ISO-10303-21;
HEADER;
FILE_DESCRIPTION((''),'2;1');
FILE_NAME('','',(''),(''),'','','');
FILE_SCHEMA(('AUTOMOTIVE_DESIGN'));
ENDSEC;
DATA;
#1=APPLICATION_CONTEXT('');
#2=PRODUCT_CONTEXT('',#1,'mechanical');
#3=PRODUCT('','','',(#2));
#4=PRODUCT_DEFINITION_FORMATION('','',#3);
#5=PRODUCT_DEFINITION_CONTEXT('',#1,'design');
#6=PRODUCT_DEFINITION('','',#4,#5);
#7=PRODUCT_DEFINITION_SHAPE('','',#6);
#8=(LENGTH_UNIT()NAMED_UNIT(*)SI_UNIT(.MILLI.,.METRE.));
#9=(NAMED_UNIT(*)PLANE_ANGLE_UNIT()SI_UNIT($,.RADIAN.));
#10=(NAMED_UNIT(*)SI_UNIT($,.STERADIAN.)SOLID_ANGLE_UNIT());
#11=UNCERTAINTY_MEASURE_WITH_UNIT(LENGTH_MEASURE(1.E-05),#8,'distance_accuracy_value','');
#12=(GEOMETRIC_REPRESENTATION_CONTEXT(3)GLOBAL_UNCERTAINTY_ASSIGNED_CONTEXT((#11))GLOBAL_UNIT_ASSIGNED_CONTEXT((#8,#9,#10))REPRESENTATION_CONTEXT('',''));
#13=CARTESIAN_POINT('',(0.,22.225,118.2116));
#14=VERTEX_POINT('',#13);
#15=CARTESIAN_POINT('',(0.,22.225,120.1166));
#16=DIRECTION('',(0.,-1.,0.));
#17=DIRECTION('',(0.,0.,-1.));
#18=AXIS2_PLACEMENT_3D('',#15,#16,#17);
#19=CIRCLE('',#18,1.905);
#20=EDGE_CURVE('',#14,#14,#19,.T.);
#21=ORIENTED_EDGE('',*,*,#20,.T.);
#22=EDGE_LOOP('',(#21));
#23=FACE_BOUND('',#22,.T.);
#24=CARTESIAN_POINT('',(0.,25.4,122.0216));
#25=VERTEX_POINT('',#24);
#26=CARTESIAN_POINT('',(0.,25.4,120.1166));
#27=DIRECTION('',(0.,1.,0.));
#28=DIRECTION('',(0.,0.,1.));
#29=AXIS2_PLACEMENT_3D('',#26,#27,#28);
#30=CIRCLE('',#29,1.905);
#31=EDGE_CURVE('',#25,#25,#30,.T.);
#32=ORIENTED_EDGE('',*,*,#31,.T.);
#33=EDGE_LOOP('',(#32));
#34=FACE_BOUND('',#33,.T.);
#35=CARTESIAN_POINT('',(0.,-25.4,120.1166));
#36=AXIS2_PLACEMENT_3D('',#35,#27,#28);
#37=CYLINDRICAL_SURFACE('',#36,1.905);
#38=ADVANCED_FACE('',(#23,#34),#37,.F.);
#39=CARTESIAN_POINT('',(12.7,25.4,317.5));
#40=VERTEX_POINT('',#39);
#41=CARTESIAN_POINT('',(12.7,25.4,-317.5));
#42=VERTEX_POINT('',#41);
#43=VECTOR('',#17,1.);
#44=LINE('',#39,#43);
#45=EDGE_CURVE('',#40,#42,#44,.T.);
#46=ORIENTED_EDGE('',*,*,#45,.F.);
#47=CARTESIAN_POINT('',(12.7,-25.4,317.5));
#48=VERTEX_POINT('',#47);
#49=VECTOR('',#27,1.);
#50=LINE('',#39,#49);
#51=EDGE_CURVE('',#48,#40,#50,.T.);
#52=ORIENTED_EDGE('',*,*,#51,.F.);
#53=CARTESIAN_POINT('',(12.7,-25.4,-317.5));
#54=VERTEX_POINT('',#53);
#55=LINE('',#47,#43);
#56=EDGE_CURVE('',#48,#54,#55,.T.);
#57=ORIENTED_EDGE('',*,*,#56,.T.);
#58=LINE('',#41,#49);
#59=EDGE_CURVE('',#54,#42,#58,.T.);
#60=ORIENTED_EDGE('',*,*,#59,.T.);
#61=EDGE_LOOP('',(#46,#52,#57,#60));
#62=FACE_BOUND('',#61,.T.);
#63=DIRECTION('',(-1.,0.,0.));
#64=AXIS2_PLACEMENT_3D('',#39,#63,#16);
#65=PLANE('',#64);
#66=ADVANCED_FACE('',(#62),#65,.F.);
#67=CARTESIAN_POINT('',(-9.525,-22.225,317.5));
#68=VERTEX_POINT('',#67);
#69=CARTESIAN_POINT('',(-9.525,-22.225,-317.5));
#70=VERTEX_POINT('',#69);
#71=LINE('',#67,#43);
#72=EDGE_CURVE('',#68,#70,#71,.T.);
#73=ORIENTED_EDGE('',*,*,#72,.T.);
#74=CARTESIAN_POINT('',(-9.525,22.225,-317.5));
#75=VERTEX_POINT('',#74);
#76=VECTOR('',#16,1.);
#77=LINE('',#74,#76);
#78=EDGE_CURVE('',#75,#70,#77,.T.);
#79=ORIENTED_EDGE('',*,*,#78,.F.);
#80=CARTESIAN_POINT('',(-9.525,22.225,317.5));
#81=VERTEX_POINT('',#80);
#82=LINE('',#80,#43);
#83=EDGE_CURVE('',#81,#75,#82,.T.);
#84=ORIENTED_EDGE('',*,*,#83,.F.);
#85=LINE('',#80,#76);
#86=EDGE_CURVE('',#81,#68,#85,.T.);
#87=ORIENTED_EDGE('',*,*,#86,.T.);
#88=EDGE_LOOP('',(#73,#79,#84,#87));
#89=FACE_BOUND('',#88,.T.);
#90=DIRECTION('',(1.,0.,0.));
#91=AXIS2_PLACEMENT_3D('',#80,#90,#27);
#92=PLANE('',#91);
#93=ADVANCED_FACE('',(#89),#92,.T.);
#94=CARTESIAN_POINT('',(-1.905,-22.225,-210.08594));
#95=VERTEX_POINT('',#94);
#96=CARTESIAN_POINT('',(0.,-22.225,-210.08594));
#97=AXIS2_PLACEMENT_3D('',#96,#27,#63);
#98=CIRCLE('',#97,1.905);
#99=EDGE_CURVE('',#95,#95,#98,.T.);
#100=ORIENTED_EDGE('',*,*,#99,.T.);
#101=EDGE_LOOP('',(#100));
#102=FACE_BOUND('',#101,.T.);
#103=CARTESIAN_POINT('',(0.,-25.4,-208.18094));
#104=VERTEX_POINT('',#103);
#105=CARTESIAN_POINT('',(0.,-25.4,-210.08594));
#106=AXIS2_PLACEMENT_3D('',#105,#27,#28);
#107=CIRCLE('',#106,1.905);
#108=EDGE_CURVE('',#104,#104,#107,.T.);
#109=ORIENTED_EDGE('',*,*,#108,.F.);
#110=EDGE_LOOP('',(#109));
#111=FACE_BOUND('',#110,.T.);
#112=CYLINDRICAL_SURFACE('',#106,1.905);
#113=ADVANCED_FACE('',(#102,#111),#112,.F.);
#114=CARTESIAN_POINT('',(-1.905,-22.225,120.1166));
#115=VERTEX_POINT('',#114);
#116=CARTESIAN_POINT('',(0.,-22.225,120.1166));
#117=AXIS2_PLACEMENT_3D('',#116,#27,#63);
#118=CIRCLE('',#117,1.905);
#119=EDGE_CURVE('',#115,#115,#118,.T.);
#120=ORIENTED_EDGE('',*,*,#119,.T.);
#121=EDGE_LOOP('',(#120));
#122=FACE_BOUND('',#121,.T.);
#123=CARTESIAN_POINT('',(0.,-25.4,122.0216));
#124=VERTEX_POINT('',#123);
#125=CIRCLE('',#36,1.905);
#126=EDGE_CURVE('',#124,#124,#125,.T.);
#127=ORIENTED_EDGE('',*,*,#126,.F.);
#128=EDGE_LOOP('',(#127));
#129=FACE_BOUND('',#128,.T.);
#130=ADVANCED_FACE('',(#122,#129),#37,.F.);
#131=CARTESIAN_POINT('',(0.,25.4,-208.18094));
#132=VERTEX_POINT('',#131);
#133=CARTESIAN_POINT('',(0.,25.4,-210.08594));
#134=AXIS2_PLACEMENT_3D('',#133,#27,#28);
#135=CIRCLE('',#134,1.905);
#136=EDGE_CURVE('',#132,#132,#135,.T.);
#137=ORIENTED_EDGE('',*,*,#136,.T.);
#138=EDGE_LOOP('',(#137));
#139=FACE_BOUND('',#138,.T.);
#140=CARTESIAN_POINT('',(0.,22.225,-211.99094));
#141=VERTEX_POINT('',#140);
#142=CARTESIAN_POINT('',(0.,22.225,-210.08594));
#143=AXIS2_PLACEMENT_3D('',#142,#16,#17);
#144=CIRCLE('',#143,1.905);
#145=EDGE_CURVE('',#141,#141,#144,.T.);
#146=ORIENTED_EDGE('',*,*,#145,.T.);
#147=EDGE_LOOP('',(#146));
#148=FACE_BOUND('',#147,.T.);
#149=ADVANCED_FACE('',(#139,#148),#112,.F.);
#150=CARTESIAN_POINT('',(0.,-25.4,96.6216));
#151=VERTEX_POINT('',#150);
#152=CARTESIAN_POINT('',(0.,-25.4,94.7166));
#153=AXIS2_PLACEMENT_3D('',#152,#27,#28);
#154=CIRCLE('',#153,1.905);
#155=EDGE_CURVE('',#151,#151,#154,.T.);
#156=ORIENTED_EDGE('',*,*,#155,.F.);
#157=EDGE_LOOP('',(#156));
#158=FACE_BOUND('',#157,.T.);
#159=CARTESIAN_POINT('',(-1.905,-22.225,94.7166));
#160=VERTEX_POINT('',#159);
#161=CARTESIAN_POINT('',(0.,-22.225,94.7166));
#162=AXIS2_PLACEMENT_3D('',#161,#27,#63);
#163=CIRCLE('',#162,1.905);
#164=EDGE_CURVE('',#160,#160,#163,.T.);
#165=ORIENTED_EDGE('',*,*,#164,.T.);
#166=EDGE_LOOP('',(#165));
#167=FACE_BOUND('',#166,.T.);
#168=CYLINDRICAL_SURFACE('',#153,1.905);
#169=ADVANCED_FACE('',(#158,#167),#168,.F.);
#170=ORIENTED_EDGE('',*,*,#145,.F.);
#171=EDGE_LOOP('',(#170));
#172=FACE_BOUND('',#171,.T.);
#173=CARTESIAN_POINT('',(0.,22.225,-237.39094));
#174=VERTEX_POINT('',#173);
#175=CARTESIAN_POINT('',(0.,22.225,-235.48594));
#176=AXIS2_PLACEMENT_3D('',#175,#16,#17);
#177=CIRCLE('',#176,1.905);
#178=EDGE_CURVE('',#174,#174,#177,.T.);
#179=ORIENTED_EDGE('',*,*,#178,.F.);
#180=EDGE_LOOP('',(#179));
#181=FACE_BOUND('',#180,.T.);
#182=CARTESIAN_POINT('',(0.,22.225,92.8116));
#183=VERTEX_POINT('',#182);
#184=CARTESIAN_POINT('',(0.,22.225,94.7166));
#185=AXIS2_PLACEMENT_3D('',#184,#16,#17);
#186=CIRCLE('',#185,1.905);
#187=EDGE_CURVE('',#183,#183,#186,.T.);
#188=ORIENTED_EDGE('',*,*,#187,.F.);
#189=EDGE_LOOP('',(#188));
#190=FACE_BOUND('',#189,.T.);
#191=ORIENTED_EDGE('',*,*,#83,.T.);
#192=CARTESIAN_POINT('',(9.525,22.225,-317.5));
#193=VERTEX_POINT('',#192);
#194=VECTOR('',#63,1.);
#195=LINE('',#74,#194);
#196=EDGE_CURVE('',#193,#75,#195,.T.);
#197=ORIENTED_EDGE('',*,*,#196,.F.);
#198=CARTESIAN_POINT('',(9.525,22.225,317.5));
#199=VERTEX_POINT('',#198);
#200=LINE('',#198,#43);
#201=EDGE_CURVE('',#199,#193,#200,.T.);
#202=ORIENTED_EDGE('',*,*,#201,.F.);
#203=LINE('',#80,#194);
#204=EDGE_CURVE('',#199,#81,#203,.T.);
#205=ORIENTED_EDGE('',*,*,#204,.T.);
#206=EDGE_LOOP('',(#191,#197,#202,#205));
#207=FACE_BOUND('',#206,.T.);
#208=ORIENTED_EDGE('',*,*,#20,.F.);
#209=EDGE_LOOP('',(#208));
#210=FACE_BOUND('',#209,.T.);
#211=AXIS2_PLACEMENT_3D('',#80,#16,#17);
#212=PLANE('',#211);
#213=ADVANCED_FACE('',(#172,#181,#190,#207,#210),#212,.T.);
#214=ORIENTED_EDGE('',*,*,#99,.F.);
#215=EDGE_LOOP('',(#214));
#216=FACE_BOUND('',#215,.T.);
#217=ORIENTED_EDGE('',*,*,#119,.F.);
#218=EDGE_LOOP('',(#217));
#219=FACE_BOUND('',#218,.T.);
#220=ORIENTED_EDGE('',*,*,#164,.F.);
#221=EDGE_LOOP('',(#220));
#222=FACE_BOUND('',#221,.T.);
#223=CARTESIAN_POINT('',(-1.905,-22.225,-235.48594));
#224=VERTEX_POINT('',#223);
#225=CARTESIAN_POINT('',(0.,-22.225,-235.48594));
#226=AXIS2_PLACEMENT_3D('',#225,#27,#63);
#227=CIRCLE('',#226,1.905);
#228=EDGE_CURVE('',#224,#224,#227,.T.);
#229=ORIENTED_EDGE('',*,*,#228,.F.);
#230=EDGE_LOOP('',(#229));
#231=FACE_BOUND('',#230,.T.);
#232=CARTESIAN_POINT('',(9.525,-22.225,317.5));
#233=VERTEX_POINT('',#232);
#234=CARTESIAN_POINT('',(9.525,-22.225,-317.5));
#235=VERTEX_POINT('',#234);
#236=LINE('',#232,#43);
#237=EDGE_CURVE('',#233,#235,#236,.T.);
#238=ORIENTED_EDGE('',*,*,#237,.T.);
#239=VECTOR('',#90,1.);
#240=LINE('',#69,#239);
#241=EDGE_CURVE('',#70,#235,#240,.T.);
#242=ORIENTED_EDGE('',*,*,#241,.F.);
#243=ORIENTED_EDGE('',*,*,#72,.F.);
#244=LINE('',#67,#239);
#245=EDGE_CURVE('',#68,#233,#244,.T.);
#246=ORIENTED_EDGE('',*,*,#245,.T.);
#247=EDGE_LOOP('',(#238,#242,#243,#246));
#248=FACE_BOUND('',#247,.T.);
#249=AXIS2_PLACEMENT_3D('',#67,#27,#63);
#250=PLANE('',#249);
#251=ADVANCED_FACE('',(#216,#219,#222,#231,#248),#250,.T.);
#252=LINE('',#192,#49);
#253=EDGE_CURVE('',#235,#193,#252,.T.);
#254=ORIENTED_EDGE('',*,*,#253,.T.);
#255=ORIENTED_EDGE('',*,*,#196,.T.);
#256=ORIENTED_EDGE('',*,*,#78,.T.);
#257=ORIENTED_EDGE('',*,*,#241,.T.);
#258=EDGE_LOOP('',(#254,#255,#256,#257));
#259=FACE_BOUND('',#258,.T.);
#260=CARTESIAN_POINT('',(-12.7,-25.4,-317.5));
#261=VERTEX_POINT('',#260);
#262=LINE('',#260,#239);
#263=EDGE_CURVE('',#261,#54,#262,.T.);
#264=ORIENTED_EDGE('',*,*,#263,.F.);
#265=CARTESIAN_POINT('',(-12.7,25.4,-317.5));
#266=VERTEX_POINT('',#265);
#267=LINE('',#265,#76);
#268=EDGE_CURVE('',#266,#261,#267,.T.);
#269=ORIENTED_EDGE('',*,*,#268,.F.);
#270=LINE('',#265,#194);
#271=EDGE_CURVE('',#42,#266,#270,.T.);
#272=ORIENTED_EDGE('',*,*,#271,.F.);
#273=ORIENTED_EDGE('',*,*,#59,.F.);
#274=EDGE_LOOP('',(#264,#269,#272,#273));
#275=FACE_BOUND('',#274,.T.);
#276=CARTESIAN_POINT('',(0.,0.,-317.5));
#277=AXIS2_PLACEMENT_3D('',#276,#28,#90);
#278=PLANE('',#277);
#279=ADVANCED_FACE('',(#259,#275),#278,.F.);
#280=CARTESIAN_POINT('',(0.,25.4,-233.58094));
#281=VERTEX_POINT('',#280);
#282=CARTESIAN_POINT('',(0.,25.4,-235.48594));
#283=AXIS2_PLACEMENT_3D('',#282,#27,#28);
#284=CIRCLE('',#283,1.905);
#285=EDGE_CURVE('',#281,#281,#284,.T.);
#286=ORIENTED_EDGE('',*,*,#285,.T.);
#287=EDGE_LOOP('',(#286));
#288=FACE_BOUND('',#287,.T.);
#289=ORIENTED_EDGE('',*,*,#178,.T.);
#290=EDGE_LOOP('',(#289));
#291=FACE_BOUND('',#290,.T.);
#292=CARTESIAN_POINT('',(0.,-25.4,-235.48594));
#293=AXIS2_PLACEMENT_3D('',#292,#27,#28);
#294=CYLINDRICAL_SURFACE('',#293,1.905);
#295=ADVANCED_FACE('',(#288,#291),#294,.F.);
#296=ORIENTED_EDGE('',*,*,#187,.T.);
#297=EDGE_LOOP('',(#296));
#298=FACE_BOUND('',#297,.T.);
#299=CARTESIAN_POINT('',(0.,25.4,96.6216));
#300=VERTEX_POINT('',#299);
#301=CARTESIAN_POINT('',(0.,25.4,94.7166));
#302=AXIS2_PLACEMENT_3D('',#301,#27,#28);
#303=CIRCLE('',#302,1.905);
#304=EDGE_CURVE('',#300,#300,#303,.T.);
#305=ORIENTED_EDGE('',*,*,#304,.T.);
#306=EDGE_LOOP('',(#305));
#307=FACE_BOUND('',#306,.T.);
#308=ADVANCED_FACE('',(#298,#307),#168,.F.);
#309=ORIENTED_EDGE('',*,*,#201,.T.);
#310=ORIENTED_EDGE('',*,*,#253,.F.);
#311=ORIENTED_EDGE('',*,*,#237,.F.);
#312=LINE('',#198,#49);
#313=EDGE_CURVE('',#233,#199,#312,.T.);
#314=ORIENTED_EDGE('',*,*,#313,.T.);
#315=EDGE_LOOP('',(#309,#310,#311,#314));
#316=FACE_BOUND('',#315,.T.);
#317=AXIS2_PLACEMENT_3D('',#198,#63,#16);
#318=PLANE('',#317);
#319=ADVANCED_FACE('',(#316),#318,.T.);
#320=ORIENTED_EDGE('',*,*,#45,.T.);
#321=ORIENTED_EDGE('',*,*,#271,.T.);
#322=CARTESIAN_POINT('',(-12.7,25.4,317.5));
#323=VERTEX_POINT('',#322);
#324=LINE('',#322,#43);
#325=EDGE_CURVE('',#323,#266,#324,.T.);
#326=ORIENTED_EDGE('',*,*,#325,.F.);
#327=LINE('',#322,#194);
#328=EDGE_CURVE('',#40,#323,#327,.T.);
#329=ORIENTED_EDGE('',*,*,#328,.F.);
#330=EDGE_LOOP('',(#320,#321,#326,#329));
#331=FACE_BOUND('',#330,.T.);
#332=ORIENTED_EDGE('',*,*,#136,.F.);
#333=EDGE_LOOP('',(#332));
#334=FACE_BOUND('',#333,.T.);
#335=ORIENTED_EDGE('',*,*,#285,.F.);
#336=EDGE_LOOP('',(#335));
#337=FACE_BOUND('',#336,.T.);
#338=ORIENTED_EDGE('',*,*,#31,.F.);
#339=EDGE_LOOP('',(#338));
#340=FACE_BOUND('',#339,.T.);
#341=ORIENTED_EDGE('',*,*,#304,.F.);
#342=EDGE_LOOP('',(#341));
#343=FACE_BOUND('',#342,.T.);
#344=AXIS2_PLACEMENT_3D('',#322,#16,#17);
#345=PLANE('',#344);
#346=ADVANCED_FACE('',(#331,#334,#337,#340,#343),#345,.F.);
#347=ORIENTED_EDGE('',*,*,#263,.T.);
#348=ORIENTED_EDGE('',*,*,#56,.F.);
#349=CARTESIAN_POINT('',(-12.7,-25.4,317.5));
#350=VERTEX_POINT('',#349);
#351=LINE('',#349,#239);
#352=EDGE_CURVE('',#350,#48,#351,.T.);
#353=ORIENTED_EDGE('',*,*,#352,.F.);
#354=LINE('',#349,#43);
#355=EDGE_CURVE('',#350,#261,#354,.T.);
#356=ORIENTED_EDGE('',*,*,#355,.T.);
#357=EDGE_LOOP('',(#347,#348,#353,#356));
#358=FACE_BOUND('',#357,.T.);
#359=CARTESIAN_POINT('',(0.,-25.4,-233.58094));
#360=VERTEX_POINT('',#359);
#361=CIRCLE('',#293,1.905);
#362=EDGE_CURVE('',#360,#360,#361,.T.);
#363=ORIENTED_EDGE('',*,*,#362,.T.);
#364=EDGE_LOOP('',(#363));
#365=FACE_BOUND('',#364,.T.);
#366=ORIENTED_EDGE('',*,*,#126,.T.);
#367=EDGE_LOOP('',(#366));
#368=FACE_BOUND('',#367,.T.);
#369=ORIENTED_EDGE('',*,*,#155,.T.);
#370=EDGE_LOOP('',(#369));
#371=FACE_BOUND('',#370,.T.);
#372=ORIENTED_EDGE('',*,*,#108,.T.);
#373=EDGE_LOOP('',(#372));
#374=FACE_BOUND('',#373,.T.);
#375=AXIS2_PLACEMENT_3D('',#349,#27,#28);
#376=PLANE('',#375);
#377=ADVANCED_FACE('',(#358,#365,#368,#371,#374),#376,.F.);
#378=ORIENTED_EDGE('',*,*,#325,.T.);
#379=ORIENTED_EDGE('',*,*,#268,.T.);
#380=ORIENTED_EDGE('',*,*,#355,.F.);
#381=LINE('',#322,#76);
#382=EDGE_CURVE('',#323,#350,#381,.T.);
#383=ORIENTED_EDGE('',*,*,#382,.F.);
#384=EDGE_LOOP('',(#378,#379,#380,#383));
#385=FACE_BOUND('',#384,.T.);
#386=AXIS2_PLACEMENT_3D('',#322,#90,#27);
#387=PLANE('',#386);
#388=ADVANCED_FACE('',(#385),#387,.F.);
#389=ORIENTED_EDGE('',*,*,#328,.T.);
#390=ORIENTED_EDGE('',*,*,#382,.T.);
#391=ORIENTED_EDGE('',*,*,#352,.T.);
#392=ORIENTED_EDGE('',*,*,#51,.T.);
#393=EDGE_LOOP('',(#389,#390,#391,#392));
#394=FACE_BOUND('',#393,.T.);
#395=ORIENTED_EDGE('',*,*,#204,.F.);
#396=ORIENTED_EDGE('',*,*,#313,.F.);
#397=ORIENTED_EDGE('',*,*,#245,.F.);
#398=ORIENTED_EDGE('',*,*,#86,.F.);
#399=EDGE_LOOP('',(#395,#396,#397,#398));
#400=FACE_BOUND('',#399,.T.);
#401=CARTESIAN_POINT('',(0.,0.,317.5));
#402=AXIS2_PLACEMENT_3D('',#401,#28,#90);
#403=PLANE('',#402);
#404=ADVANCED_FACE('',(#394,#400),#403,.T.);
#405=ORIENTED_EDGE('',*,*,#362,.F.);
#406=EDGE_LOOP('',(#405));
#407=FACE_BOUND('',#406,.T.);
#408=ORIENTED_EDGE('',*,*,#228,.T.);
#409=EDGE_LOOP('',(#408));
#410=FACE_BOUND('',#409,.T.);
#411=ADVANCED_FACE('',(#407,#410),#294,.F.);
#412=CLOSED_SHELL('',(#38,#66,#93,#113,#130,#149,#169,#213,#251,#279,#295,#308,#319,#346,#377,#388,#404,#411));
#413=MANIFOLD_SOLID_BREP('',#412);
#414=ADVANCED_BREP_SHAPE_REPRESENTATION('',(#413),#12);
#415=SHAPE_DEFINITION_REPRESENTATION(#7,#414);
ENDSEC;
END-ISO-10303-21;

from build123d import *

# Parameters (mm, degrees)
SKETCH1_W           = 25.4
SKETCH1_H           = 50.8
SKETCH1_W_2         = 19.05
SKETCH1_H_2         = 44.45
BOSS_EXTRUDE1_DEPTH = 317.5
SKETCH2_R           = 1.905
CUT_EXTRUDE1_DEPTH  = 322.789030267


with BuildPart() as part:
    # Sketch1 → Boss-Extrude1 (new, symmetric)
    with BuildSketch(Plane.XY):
        Rectangle(SKETCH1_W, SKETCH1_H)
        Rectangle(SKETCH1_W_2, SKETCH1_H_2, mode=Mode.SUBTRACT)
    extrude(amount=BOSS_EXTRUDE1_DEPTH, both=True)

    # Sketch2 → Cut-Extrude1 (cut, through all)
    with BuildSketch(Plane(origin=(0, 25.4, 0), x_dir=(1, 0, 0), z_dir=(0, 1, 0))):
        with Locations(Location((0, -120.1166, 0), (0, 0, 270))):
            Circle(SKETCH2_R)
        with Locations(Location((0, -94.7166, 0), (0, 0, 270))):
            Circle(SKETCH2_R)
        with Locations(Location((0, 235.48594, 0), (0, 0, 270))):
            Circle(SKETCH2_R)
        with Locations(Location((0, 210.08594, 0), (0, 0, 270))):
            Circle(SKETCH2_R)
    extrude(amount=-CUT_EXTRUDE1_DEPTH, mode=Mode.SUBTRACT)


solid = part.part
